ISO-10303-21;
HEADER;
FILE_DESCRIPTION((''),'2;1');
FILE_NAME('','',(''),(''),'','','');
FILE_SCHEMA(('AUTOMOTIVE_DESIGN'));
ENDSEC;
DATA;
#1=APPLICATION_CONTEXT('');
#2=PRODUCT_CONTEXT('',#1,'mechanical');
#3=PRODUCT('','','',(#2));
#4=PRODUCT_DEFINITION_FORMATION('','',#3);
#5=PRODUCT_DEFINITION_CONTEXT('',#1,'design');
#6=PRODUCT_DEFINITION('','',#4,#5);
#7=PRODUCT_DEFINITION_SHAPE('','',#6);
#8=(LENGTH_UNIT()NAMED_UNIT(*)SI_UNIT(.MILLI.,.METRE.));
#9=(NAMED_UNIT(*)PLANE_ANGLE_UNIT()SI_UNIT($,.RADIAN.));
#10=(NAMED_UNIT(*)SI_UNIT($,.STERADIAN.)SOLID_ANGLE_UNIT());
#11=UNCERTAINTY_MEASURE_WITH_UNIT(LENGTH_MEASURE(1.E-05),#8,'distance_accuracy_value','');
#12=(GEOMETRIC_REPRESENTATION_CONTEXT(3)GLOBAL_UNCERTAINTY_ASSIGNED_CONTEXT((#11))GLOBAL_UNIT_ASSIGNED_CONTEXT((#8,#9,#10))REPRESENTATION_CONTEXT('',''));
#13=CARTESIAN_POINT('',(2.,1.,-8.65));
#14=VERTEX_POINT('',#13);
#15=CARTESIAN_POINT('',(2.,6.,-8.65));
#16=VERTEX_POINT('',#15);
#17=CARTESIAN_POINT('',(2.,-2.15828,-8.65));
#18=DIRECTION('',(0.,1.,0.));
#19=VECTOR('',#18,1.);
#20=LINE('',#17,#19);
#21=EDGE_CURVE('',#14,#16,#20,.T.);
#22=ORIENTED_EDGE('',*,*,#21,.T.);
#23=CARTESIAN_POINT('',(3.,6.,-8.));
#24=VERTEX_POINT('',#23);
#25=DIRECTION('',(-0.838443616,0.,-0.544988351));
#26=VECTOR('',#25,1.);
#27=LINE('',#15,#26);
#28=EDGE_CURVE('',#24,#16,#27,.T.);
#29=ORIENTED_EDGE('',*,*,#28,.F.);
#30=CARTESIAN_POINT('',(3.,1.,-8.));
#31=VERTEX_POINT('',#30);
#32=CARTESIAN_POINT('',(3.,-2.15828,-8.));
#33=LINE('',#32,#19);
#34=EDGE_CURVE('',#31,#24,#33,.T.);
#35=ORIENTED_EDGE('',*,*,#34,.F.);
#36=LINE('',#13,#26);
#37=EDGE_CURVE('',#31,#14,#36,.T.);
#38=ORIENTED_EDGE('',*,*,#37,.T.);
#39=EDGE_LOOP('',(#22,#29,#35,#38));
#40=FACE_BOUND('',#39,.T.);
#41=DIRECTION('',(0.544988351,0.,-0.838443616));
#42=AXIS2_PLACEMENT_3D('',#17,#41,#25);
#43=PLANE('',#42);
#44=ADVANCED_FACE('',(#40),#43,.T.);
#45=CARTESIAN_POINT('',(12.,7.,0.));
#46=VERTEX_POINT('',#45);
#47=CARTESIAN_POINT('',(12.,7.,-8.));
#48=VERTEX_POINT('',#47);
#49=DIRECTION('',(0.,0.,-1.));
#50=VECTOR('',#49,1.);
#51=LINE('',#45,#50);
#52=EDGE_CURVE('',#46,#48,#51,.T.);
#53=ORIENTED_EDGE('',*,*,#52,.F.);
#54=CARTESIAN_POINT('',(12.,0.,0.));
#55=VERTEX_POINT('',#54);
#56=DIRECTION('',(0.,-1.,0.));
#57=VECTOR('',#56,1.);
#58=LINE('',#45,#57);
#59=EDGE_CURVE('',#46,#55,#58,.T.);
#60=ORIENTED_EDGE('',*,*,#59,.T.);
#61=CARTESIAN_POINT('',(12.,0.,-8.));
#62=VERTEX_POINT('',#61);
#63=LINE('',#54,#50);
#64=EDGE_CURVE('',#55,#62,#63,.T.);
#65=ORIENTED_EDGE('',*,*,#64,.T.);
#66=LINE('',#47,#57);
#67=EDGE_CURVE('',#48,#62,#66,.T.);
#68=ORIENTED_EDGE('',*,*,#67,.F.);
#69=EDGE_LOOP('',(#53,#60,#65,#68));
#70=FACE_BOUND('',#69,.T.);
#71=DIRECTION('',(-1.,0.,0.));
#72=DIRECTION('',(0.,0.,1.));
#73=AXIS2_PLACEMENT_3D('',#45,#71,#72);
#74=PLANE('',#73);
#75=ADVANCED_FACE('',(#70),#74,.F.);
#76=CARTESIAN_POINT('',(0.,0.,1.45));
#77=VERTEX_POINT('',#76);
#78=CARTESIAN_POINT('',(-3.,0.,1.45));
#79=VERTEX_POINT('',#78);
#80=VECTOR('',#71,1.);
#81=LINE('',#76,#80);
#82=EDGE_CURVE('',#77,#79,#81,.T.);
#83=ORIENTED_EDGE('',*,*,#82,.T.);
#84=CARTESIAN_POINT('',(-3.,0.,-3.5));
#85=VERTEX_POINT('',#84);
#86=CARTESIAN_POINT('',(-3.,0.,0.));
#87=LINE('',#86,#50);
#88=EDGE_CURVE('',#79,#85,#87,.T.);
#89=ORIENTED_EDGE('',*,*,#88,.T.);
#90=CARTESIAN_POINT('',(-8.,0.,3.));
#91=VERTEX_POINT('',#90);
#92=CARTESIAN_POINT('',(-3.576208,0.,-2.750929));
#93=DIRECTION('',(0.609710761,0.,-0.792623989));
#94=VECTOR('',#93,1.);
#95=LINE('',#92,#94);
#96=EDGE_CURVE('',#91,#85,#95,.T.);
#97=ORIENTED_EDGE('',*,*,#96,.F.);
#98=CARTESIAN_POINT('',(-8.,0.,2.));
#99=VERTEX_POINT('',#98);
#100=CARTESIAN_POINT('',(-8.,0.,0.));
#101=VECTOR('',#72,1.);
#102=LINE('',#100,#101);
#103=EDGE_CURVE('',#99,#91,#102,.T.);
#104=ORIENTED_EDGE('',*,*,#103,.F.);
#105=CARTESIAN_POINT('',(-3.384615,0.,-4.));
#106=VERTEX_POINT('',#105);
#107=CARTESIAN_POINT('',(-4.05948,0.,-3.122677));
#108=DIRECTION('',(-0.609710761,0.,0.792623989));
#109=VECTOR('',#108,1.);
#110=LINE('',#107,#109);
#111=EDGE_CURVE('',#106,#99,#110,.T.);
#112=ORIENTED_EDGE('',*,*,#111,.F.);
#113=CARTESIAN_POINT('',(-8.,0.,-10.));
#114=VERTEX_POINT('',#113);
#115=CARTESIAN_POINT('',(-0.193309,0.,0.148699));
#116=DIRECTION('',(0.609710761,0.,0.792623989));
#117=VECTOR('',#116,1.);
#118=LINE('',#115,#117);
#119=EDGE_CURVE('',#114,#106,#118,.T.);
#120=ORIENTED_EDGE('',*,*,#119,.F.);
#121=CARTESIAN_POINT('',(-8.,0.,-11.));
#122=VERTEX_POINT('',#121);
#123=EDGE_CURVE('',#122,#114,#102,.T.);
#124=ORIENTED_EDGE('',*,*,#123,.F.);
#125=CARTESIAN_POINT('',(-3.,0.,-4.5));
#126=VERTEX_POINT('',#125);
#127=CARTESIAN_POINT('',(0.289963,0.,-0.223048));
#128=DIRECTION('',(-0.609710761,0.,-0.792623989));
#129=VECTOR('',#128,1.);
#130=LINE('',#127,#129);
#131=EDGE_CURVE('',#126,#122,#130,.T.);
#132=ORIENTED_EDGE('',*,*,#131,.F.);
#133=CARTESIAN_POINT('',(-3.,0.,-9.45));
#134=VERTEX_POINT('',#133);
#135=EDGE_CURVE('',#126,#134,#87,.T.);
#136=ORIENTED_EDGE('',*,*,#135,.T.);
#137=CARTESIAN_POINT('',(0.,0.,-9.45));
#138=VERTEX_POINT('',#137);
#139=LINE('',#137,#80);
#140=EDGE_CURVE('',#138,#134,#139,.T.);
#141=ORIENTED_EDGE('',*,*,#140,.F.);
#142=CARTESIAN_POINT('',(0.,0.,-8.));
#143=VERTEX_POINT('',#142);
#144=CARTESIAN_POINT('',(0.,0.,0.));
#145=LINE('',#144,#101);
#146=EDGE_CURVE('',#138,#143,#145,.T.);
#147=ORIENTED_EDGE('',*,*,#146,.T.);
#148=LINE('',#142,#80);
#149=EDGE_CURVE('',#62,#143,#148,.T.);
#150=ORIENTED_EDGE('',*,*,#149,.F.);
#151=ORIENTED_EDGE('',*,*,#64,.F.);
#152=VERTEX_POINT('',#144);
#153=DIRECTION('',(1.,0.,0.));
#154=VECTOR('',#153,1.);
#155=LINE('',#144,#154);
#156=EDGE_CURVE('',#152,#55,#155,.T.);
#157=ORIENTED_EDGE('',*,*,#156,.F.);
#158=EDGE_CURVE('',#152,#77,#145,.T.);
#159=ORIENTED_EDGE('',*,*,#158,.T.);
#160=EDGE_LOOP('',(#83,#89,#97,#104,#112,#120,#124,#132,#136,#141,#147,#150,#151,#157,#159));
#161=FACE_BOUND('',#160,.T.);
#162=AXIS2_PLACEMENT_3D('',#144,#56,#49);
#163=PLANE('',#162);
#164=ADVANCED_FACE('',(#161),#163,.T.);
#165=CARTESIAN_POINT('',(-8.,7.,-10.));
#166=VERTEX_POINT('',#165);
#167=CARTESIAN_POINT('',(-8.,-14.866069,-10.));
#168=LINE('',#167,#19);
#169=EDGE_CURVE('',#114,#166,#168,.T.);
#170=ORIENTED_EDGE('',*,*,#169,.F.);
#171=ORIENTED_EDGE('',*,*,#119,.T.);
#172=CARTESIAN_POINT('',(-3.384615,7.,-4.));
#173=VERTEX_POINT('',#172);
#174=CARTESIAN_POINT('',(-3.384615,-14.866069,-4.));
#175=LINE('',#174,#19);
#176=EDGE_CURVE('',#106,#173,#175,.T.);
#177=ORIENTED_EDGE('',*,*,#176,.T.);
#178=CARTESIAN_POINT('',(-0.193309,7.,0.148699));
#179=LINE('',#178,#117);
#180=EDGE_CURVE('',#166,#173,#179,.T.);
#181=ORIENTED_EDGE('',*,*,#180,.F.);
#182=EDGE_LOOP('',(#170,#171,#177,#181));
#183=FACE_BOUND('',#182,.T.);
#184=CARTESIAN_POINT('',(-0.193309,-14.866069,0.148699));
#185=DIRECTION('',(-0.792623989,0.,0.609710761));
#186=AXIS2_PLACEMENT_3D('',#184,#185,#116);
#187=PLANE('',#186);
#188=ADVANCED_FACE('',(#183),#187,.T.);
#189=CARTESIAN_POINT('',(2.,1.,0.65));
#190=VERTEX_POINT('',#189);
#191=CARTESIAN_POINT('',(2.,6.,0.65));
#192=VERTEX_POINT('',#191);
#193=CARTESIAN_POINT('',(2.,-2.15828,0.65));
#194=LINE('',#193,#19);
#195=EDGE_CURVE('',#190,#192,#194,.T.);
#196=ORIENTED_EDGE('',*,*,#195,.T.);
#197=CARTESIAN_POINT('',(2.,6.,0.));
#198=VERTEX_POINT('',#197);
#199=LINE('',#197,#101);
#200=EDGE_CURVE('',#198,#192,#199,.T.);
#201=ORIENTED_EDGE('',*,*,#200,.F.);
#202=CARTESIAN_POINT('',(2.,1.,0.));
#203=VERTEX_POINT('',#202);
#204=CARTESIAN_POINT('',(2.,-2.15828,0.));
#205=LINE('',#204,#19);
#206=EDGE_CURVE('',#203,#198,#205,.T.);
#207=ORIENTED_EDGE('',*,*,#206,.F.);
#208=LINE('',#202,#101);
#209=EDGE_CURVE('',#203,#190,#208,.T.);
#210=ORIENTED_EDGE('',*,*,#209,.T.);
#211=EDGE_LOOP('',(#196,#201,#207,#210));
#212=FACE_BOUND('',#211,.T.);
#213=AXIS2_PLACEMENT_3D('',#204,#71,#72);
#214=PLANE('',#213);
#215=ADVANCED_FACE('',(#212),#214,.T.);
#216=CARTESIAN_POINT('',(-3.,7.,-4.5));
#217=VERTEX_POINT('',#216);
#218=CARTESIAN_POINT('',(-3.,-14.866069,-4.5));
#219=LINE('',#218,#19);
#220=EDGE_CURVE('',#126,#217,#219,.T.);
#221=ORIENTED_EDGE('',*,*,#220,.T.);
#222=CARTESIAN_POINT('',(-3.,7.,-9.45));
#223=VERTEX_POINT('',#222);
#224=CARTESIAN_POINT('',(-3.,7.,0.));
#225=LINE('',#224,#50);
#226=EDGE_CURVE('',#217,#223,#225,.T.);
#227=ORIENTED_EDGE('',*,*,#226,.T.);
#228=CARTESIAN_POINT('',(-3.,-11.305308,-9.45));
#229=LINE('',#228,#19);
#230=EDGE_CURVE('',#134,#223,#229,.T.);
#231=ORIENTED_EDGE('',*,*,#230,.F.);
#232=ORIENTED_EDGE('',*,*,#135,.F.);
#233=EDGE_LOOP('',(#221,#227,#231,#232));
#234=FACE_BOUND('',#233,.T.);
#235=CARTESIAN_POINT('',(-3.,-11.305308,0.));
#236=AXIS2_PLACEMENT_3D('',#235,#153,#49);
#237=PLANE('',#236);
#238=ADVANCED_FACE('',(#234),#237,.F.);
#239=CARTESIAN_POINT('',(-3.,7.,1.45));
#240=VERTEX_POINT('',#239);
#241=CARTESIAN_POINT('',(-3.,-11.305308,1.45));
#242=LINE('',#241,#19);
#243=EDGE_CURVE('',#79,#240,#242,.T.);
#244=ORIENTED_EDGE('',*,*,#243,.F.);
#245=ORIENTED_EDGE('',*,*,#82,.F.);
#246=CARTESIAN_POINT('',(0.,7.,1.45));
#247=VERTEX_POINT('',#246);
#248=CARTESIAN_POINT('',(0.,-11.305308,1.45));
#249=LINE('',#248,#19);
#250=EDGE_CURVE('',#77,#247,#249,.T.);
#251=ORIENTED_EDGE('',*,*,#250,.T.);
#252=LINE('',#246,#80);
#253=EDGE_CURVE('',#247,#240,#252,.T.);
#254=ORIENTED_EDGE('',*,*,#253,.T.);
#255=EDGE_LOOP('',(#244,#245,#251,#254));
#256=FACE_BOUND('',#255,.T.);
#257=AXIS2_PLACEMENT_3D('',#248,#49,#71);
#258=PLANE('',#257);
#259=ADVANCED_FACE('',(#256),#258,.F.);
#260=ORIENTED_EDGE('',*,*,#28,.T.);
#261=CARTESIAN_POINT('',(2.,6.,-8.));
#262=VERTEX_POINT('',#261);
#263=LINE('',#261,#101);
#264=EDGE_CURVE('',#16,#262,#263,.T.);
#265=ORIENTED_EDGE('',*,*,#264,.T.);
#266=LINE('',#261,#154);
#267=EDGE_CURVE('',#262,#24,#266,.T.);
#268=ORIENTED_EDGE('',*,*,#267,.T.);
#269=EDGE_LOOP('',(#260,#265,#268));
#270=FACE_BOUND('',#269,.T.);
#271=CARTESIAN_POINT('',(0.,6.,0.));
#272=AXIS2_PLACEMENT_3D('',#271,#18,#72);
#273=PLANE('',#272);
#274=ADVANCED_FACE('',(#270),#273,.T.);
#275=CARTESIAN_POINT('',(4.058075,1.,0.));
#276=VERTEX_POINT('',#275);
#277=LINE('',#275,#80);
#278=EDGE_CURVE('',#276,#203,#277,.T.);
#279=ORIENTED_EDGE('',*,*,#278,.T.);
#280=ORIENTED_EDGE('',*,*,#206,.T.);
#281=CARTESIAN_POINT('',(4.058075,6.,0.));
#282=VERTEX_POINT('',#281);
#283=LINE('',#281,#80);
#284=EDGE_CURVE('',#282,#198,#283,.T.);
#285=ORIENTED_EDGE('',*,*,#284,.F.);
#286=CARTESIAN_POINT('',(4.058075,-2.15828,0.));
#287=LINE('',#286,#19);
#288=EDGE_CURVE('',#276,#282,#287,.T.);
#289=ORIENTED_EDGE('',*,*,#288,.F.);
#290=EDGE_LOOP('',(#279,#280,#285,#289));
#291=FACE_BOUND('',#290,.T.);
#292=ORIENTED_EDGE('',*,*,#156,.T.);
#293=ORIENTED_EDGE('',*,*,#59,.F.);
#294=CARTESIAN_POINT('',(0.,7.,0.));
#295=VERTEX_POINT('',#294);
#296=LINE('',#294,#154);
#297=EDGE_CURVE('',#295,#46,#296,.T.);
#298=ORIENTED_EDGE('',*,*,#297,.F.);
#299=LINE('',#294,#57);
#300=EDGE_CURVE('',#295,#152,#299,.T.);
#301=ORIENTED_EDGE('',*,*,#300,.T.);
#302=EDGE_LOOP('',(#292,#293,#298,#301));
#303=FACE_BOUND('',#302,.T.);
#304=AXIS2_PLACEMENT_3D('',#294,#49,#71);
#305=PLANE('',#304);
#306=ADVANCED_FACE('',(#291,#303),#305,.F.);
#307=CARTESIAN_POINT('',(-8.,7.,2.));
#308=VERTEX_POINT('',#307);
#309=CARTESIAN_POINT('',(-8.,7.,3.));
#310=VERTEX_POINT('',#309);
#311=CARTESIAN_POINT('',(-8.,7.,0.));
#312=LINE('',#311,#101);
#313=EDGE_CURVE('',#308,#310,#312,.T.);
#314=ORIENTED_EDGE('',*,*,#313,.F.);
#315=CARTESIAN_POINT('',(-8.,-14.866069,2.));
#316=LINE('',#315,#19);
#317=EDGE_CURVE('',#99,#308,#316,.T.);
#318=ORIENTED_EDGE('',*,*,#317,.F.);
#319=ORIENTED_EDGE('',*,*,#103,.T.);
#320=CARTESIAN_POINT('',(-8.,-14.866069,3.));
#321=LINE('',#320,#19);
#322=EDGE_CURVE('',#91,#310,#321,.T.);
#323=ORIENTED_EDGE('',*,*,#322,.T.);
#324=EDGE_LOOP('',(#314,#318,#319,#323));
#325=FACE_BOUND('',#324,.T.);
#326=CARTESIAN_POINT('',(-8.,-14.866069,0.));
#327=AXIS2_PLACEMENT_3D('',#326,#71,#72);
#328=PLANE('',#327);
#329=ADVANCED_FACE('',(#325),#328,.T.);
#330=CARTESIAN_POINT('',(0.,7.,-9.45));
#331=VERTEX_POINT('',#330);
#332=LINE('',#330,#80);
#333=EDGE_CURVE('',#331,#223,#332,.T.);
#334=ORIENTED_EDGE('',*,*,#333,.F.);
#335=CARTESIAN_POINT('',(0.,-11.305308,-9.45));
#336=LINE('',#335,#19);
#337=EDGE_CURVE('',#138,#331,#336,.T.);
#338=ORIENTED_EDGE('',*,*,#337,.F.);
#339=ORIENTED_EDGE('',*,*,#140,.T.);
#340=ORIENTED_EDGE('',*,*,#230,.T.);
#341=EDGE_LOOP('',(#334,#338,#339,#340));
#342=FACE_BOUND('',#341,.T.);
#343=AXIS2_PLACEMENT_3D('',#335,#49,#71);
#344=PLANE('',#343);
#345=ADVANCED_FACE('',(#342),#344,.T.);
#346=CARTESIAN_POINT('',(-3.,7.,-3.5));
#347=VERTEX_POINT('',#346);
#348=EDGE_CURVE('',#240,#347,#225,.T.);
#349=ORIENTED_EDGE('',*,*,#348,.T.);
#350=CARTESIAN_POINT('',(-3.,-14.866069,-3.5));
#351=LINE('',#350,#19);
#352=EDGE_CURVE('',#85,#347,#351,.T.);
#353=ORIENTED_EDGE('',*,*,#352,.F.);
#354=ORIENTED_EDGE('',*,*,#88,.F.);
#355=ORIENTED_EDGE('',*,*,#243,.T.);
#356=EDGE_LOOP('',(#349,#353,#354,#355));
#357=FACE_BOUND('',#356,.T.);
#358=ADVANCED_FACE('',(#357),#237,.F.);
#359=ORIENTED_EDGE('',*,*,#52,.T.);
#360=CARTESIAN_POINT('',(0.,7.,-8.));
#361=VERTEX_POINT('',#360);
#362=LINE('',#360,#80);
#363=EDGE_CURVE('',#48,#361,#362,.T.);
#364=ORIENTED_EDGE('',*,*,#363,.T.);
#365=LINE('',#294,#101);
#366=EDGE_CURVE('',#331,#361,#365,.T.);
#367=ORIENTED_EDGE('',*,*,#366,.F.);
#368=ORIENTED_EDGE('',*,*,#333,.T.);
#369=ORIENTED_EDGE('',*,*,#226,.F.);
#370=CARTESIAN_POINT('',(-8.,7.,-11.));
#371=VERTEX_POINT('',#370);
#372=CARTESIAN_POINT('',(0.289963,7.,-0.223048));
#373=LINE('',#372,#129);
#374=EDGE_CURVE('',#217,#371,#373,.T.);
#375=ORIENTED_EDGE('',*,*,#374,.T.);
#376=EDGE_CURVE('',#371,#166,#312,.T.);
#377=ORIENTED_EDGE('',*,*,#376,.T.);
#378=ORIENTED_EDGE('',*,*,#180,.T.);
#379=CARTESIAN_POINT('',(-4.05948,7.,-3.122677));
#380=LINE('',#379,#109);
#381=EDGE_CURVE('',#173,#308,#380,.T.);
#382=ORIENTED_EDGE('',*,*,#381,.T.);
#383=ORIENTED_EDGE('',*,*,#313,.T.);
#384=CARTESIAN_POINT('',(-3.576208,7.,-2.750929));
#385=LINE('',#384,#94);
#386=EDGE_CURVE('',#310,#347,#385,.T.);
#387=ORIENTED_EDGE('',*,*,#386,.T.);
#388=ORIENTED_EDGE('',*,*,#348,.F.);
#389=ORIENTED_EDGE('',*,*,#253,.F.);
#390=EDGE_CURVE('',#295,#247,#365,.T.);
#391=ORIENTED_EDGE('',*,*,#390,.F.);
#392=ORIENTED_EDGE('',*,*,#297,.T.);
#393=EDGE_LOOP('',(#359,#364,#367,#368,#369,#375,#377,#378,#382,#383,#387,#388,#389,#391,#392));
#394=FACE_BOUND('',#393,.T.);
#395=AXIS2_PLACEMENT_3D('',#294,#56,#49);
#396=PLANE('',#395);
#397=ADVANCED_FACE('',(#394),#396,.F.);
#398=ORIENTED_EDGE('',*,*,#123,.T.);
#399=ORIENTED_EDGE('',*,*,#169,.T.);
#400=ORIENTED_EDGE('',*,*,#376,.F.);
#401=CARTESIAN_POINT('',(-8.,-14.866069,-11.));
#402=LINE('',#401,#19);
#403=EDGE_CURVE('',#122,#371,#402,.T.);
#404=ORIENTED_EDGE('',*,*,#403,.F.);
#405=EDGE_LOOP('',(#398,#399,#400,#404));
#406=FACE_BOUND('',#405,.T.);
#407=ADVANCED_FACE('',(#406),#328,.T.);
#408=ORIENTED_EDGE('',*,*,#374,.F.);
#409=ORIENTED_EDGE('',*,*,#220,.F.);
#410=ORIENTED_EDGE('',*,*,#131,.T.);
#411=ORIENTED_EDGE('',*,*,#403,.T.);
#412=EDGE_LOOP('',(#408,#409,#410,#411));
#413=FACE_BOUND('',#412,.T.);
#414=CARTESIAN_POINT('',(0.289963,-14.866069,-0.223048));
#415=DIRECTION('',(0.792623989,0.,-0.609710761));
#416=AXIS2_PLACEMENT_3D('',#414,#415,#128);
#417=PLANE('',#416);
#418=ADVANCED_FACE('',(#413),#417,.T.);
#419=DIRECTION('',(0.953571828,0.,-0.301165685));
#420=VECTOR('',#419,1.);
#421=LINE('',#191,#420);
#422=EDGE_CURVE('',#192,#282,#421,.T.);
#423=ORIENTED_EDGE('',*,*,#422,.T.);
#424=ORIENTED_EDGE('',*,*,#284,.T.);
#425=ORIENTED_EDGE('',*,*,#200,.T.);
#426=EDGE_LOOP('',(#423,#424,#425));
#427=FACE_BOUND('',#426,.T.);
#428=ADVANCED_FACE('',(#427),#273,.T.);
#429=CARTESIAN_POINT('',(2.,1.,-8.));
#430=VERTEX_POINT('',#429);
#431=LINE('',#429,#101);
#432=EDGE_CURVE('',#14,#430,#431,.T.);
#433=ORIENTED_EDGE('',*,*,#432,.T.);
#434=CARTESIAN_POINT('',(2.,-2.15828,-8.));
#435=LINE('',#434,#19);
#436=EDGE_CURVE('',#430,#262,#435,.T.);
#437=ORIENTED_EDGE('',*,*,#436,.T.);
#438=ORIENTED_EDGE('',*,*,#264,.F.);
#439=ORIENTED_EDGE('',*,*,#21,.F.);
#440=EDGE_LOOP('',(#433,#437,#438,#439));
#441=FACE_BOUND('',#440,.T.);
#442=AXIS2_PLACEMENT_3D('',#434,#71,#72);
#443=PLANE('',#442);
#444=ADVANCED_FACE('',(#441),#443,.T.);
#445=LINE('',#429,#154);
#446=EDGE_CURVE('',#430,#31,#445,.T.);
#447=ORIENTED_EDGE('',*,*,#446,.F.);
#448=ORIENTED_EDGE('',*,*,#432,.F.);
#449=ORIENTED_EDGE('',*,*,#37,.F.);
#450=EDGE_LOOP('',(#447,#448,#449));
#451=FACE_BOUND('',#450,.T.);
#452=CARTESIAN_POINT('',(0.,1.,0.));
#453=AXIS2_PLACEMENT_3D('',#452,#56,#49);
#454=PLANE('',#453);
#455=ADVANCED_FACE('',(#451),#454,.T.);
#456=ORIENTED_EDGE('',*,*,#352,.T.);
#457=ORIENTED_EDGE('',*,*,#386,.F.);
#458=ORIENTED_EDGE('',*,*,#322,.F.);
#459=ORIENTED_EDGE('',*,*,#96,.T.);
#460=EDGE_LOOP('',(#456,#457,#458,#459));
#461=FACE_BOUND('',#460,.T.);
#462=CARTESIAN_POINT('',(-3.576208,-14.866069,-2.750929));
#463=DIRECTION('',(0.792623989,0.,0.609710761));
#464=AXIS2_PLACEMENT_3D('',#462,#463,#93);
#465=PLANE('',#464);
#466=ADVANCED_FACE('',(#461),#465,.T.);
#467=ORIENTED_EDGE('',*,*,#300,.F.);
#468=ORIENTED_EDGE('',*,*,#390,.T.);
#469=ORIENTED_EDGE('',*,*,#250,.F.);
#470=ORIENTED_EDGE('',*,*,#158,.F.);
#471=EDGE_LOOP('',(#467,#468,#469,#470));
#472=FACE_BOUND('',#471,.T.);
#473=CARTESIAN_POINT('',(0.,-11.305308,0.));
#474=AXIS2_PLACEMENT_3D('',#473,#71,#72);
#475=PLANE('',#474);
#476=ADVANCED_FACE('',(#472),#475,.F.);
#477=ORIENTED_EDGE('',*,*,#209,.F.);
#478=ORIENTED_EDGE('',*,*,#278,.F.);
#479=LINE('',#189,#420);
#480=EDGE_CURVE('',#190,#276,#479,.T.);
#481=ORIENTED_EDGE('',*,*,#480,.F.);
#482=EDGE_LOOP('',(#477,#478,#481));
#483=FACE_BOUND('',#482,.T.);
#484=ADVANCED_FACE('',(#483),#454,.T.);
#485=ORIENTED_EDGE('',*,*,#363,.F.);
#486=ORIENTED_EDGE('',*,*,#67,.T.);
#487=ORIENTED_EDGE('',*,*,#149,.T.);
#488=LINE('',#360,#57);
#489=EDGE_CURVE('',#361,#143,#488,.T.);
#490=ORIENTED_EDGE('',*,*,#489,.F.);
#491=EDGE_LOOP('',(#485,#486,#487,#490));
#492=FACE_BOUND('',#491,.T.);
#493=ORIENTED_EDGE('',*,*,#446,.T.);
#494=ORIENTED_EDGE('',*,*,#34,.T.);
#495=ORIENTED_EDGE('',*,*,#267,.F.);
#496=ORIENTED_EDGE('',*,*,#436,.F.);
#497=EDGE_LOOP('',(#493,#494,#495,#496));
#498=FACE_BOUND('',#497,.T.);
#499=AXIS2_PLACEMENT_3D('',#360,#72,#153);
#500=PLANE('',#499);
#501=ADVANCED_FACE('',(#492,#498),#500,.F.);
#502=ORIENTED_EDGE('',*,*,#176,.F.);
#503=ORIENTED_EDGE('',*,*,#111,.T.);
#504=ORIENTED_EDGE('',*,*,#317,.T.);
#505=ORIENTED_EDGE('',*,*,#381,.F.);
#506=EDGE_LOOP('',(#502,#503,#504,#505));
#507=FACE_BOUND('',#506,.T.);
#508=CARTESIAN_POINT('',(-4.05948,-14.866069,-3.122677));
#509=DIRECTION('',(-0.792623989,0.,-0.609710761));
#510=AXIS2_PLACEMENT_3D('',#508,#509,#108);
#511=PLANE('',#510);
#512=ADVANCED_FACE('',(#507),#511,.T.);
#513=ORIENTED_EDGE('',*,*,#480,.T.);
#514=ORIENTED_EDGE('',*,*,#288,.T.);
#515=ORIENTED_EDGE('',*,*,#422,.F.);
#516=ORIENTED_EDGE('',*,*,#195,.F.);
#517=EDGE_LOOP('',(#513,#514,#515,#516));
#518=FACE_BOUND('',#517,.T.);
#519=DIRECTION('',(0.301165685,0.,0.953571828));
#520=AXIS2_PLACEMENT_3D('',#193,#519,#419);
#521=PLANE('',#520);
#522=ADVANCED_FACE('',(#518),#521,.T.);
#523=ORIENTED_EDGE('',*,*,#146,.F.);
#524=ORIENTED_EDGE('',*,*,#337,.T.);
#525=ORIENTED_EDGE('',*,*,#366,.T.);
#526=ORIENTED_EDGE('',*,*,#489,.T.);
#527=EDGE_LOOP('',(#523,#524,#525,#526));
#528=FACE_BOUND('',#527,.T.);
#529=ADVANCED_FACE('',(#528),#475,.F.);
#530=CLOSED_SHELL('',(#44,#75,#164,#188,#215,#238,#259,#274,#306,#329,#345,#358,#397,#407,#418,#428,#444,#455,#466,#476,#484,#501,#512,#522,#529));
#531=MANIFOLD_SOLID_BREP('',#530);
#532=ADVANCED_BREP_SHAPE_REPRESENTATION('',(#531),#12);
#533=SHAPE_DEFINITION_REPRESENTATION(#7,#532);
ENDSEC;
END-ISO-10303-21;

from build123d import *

# Parameters (mm, degrees)
SKETCH_1_W      = 12
SKETCH_1_H      = 8
EXTRUDE_1_DEPTH = 7
EXTRUDE_2_DEPTH = 7
EXTRUDE_5_DEPTH = 7
EXTRUDE_START   = -1
EXTRUDE_6_DEPTH = 5


with BuildPart() as part:
    # 草图1 → 凸台-拉伸1 (new body)
    with BuildSketch(Plane(origin=(0, 0, 0), x_dir=(1, 0, 0), z_dir=(0, 1, 0))):
        with Locations((6, 4)):
            Rectangle(SKETCH_1_W, SKETCH_1_H)
    extrude(amount=EXTRUDE_1_DEPTH)

    # 草图2 → 凸台-拉伸2 (add)
    with BuildSketch(Plane(origin=(0, 7, 0), x_dir=(1, 0, 0), z_dir=(0, 1, 0))):
        Polygon((-3, -1.45), (0, -1.45), (0, 0), (0, 4), (-3, 4), align=None)
        Polygon((-3, 9.45), (-3, 4), (0, 4), (0, 8), (0, 9.45), align=None)
    extrude(amount=-EXTRUDE_2_DEPTH)

    # 草图3 → 凸台-拉伸5 (add)
    with BuildSketch(Plane(origin=(0, 7, 0), x_dir=(1, 0, 0), z_dir=(0, 1, 0))):
        Polygon((-3.384615385, 4), (-3, 4.5), (-8, 11), (-8, 10), align=None)
        Polygon((-3, 3.5), (-3.384615385, 4), (-8, -2), (-8, -3), align=None)
        Polygon((-3, 3.5), (-3, 4.5), (-3.384615385, 4), align=None)
    extrude(amount=-EXTRUDE_5_DEPTH)

    # 草图4 → 凸台-拉伸6 (add)
    with BuildSketch(Plane(origin=(0, 7, 0), x_dir=(1, 0, 0), z_dir=(0, 1, 0)).offset(EXTRUDE_START)):
        Polygon((2, 8), (2, 8.65), (3, 8), align=None)
        Polygon((2, 0), (2, -0.65), (4.058075402, 0), align=None)
    extrude(amount=-EXTRUDE_6_DEPTH)


solid = part.part
